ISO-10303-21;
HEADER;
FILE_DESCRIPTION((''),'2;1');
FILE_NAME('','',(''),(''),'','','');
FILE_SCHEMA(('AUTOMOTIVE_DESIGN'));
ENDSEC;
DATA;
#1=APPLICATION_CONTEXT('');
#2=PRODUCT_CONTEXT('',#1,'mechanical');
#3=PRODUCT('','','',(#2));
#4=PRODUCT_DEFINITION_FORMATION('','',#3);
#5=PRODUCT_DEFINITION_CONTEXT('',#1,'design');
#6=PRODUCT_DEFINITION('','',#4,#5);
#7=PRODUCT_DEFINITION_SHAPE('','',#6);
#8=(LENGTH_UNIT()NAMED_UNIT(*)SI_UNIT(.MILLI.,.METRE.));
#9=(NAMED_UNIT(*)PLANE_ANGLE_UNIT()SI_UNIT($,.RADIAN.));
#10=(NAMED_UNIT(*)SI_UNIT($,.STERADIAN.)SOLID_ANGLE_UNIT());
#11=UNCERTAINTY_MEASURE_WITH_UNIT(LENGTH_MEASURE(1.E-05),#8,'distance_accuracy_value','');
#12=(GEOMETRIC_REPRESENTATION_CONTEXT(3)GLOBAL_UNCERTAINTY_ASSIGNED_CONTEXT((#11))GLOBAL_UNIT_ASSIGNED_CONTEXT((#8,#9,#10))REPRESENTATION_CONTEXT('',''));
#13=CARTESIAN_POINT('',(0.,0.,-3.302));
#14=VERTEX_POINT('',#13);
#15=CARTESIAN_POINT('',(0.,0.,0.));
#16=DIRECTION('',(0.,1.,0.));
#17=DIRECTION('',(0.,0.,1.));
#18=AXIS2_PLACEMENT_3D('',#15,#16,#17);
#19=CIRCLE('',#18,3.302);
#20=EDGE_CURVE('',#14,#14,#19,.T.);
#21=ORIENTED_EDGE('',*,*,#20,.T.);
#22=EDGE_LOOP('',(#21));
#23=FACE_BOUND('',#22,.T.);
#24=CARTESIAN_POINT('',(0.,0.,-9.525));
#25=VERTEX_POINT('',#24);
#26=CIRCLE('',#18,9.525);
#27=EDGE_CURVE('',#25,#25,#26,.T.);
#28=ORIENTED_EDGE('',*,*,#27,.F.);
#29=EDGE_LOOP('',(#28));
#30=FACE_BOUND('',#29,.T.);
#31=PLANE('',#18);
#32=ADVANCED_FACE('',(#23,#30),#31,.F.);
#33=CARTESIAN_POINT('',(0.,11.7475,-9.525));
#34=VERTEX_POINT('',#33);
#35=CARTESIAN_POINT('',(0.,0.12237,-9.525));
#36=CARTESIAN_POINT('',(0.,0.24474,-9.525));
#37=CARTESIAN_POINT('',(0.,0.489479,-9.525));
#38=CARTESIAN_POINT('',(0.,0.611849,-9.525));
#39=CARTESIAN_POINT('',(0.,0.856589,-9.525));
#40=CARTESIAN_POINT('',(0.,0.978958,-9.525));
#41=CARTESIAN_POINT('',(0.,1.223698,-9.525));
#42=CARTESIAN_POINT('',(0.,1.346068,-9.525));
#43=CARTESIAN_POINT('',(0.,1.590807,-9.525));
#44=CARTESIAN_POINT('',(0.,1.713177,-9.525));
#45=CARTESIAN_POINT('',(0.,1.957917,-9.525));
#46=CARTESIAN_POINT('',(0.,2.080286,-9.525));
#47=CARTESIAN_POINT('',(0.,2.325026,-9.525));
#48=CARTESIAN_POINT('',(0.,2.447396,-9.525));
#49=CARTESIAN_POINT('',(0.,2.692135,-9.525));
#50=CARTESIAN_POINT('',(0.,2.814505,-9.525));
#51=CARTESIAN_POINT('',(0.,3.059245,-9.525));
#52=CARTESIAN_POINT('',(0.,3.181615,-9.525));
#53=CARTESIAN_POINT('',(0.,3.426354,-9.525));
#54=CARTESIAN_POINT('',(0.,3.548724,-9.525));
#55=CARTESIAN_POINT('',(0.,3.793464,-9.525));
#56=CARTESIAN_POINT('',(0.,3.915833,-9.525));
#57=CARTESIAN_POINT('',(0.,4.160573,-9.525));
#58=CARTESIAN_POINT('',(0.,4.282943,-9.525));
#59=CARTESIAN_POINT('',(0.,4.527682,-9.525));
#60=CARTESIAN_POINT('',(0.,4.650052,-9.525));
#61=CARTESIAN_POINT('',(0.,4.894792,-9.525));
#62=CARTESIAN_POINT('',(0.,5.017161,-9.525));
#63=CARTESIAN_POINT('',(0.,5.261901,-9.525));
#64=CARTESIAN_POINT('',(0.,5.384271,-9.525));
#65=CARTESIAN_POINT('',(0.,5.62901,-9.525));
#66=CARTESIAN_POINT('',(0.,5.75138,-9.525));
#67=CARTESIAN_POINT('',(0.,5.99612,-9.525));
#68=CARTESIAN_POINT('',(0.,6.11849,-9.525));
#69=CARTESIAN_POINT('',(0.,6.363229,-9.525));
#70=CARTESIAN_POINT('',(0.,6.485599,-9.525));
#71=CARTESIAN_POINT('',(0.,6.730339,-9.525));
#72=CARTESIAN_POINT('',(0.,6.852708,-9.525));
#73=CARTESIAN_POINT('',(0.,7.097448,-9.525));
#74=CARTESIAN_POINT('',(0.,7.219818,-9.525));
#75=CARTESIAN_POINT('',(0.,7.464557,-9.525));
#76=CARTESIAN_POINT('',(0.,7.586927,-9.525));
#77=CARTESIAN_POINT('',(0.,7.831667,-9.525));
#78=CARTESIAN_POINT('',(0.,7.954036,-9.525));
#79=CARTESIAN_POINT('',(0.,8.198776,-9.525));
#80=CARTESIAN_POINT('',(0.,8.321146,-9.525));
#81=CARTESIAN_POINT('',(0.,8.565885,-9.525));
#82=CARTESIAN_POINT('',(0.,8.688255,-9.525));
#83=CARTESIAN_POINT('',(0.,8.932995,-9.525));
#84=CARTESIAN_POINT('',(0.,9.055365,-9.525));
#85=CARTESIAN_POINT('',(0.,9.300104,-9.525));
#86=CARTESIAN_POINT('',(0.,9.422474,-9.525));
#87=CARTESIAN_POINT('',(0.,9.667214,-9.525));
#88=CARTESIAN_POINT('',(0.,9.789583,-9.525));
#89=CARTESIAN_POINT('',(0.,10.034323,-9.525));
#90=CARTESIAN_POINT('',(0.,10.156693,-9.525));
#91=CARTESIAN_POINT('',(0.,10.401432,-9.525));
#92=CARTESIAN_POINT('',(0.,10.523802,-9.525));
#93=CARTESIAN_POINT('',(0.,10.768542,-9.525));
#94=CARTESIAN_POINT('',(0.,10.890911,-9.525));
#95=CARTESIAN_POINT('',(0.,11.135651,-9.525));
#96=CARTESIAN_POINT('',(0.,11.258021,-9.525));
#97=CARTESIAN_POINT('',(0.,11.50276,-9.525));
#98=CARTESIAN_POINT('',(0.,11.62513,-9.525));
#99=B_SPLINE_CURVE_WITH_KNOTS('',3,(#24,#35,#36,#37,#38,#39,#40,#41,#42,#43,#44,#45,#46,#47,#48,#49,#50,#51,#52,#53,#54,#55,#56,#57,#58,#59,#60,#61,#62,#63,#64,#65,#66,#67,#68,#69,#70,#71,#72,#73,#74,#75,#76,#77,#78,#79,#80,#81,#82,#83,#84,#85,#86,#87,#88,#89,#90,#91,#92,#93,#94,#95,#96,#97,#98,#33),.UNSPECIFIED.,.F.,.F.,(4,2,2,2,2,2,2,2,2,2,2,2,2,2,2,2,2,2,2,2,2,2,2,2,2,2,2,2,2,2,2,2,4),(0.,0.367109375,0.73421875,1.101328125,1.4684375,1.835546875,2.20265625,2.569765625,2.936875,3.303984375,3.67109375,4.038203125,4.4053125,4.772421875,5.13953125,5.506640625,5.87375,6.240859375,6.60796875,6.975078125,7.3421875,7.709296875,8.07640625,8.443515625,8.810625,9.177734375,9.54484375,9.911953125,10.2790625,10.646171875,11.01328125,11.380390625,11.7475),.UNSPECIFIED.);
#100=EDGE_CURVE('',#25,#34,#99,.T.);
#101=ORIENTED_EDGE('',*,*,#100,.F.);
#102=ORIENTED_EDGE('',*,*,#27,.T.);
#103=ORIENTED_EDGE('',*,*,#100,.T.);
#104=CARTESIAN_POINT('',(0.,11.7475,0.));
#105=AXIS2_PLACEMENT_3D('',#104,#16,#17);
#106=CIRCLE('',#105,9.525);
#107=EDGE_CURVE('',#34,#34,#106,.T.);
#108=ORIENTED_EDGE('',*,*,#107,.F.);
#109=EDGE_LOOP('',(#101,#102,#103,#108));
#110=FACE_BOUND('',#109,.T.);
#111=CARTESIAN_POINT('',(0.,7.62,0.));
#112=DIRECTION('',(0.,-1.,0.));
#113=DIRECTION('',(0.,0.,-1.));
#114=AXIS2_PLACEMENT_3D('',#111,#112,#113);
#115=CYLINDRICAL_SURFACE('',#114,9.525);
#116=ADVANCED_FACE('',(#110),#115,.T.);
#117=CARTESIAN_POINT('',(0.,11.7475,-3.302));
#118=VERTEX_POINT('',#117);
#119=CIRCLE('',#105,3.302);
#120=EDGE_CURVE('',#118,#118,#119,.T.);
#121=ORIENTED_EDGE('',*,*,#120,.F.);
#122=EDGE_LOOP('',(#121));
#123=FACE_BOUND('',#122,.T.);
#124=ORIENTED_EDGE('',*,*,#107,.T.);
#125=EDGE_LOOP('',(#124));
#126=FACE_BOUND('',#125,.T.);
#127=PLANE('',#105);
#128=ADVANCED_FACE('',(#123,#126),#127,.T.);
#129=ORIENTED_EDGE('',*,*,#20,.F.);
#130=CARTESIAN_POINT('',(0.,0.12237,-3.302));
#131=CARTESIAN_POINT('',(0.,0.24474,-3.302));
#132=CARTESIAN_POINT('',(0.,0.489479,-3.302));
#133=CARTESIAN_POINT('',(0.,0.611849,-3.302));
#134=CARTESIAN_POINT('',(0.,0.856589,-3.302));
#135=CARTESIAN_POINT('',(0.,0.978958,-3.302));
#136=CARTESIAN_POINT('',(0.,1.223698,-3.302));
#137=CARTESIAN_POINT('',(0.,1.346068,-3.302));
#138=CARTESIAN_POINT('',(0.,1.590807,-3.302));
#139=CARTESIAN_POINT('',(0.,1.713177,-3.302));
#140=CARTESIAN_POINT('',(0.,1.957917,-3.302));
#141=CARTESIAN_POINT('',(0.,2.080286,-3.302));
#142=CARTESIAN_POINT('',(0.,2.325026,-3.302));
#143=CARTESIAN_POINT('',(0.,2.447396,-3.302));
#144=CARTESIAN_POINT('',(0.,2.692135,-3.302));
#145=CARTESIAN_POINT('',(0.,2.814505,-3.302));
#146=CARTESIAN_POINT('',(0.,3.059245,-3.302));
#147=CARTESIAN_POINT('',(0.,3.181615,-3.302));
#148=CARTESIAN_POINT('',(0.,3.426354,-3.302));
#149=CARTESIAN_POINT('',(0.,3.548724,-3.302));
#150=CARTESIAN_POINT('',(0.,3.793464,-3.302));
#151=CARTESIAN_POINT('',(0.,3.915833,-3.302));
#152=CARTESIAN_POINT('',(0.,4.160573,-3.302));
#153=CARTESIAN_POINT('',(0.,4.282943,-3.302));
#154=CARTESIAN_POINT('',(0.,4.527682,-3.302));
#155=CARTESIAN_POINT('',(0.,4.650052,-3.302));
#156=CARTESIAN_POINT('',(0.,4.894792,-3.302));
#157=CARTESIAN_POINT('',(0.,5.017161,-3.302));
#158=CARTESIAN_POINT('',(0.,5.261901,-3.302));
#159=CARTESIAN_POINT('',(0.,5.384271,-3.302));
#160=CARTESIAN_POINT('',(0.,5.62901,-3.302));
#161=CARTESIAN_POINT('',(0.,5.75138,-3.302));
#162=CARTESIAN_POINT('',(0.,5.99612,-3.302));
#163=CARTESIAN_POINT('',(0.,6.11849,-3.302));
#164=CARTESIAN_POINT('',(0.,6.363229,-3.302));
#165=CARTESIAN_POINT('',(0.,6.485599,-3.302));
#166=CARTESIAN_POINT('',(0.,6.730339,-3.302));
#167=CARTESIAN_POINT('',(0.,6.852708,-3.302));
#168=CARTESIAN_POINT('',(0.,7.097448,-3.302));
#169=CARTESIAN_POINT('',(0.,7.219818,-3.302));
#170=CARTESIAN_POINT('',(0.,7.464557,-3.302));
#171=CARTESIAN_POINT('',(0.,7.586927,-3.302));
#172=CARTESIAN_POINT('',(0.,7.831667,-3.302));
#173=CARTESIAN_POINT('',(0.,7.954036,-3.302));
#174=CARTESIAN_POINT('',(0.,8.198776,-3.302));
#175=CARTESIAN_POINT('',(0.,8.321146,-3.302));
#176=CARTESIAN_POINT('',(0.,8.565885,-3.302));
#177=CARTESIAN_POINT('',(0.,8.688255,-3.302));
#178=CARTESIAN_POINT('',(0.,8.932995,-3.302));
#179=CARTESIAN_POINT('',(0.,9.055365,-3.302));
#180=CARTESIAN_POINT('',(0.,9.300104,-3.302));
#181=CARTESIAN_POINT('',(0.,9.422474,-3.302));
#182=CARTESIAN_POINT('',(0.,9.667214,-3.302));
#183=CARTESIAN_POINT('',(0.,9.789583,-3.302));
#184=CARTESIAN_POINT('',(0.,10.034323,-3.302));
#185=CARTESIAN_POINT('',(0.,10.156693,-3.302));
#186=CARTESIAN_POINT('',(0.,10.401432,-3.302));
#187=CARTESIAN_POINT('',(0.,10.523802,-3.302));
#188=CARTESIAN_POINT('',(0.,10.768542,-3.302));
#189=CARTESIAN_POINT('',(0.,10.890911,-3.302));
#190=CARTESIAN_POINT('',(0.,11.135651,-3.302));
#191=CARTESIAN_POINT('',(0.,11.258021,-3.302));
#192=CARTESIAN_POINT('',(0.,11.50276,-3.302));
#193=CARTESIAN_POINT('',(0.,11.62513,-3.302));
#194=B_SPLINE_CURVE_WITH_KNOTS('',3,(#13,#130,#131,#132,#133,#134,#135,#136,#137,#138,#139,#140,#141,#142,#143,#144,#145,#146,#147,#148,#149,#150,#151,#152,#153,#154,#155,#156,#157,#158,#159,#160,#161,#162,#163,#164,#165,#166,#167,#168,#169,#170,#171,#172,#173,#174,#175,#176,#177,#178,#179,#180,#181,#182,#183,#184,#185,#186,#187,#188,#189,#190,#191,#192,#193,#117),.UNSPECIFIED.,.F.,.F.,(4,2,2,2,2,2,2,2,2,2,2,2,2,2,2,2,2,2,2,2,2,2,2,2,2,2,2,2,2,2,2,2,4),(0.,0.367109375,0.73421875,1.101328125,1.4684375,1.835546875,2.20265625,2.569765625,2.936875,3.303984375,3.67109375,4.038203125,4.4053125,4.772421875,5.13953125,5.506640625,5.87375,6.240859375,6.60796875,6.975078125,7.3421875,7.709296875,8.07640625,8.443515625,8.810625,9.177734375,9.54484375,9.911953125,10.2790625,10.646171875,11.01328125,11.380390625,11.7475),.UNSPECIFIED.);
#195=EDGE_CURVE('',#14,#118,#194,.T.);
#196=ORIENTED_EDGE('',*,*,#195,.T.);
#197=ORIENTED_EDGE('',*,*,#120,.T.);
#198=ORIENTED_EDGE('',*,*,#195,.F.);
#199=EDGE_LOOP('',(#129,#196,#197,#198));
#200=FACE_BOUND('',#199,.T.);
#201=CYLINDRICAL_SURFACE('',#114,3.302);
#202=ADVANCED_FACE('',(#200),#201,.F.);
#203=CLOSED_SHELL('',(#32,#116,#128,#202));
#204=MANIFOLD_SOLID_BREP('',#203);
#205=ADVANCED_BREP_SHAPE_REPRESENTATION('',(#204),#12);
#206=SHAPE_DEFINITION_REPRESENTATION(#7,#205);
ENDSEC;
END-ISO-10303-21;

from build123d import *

# Parameters (mm, degrees)
SKETCH1_R           = 9.525
SKETCH1_R_2         = 3.302
BOSS_EXTRUDE1_DEPTH = 7.62
SKETCH2_R           = 9.525
SKETCH2_R_2         = 3.302
BOSS_EXTRUDE2_DEPTH = 4.1275


with BuildPart() as part:
    # Sketch1 → Boss-Extrude1 (new body)
    with BuildSketch(Plane(origin=(0, 0, 0), x_dir=(1, 0, 0), z_dir=(0, 1, 0))):
        with Locations(Location((0, 0, 0), (0, 0, 90))):
            Circle(SKETCH1_R)
        with Locations(Location((0, 0, 0), (0, 0, 90))):
            Circle(SKETCH1_R_2, mode=Mode.SUBTRACT)
    extrude(amount=BOSS_EXTRUDE1_DEPTH)

    # Sketch2 → Boss-Extrude2 (add)
    with BuildSketch(Plane(origin=(0, 7.62, 0), x_dir=(1, 0, 0), z_dir=(0, 1, 0))):
        with Locations(Location((0, 0, 0), (0, 0, 90))):
            Circle(SKETCH2_R)
        with Locations(Location((0, 0, 0), (0, 0, 90))):
            Circle(SKETCH2_R_2, mode=Mode.SUBTRACT)
    extrude(amount=BOSS_EXTRUDE2_DEPTH)


solid = part.part
